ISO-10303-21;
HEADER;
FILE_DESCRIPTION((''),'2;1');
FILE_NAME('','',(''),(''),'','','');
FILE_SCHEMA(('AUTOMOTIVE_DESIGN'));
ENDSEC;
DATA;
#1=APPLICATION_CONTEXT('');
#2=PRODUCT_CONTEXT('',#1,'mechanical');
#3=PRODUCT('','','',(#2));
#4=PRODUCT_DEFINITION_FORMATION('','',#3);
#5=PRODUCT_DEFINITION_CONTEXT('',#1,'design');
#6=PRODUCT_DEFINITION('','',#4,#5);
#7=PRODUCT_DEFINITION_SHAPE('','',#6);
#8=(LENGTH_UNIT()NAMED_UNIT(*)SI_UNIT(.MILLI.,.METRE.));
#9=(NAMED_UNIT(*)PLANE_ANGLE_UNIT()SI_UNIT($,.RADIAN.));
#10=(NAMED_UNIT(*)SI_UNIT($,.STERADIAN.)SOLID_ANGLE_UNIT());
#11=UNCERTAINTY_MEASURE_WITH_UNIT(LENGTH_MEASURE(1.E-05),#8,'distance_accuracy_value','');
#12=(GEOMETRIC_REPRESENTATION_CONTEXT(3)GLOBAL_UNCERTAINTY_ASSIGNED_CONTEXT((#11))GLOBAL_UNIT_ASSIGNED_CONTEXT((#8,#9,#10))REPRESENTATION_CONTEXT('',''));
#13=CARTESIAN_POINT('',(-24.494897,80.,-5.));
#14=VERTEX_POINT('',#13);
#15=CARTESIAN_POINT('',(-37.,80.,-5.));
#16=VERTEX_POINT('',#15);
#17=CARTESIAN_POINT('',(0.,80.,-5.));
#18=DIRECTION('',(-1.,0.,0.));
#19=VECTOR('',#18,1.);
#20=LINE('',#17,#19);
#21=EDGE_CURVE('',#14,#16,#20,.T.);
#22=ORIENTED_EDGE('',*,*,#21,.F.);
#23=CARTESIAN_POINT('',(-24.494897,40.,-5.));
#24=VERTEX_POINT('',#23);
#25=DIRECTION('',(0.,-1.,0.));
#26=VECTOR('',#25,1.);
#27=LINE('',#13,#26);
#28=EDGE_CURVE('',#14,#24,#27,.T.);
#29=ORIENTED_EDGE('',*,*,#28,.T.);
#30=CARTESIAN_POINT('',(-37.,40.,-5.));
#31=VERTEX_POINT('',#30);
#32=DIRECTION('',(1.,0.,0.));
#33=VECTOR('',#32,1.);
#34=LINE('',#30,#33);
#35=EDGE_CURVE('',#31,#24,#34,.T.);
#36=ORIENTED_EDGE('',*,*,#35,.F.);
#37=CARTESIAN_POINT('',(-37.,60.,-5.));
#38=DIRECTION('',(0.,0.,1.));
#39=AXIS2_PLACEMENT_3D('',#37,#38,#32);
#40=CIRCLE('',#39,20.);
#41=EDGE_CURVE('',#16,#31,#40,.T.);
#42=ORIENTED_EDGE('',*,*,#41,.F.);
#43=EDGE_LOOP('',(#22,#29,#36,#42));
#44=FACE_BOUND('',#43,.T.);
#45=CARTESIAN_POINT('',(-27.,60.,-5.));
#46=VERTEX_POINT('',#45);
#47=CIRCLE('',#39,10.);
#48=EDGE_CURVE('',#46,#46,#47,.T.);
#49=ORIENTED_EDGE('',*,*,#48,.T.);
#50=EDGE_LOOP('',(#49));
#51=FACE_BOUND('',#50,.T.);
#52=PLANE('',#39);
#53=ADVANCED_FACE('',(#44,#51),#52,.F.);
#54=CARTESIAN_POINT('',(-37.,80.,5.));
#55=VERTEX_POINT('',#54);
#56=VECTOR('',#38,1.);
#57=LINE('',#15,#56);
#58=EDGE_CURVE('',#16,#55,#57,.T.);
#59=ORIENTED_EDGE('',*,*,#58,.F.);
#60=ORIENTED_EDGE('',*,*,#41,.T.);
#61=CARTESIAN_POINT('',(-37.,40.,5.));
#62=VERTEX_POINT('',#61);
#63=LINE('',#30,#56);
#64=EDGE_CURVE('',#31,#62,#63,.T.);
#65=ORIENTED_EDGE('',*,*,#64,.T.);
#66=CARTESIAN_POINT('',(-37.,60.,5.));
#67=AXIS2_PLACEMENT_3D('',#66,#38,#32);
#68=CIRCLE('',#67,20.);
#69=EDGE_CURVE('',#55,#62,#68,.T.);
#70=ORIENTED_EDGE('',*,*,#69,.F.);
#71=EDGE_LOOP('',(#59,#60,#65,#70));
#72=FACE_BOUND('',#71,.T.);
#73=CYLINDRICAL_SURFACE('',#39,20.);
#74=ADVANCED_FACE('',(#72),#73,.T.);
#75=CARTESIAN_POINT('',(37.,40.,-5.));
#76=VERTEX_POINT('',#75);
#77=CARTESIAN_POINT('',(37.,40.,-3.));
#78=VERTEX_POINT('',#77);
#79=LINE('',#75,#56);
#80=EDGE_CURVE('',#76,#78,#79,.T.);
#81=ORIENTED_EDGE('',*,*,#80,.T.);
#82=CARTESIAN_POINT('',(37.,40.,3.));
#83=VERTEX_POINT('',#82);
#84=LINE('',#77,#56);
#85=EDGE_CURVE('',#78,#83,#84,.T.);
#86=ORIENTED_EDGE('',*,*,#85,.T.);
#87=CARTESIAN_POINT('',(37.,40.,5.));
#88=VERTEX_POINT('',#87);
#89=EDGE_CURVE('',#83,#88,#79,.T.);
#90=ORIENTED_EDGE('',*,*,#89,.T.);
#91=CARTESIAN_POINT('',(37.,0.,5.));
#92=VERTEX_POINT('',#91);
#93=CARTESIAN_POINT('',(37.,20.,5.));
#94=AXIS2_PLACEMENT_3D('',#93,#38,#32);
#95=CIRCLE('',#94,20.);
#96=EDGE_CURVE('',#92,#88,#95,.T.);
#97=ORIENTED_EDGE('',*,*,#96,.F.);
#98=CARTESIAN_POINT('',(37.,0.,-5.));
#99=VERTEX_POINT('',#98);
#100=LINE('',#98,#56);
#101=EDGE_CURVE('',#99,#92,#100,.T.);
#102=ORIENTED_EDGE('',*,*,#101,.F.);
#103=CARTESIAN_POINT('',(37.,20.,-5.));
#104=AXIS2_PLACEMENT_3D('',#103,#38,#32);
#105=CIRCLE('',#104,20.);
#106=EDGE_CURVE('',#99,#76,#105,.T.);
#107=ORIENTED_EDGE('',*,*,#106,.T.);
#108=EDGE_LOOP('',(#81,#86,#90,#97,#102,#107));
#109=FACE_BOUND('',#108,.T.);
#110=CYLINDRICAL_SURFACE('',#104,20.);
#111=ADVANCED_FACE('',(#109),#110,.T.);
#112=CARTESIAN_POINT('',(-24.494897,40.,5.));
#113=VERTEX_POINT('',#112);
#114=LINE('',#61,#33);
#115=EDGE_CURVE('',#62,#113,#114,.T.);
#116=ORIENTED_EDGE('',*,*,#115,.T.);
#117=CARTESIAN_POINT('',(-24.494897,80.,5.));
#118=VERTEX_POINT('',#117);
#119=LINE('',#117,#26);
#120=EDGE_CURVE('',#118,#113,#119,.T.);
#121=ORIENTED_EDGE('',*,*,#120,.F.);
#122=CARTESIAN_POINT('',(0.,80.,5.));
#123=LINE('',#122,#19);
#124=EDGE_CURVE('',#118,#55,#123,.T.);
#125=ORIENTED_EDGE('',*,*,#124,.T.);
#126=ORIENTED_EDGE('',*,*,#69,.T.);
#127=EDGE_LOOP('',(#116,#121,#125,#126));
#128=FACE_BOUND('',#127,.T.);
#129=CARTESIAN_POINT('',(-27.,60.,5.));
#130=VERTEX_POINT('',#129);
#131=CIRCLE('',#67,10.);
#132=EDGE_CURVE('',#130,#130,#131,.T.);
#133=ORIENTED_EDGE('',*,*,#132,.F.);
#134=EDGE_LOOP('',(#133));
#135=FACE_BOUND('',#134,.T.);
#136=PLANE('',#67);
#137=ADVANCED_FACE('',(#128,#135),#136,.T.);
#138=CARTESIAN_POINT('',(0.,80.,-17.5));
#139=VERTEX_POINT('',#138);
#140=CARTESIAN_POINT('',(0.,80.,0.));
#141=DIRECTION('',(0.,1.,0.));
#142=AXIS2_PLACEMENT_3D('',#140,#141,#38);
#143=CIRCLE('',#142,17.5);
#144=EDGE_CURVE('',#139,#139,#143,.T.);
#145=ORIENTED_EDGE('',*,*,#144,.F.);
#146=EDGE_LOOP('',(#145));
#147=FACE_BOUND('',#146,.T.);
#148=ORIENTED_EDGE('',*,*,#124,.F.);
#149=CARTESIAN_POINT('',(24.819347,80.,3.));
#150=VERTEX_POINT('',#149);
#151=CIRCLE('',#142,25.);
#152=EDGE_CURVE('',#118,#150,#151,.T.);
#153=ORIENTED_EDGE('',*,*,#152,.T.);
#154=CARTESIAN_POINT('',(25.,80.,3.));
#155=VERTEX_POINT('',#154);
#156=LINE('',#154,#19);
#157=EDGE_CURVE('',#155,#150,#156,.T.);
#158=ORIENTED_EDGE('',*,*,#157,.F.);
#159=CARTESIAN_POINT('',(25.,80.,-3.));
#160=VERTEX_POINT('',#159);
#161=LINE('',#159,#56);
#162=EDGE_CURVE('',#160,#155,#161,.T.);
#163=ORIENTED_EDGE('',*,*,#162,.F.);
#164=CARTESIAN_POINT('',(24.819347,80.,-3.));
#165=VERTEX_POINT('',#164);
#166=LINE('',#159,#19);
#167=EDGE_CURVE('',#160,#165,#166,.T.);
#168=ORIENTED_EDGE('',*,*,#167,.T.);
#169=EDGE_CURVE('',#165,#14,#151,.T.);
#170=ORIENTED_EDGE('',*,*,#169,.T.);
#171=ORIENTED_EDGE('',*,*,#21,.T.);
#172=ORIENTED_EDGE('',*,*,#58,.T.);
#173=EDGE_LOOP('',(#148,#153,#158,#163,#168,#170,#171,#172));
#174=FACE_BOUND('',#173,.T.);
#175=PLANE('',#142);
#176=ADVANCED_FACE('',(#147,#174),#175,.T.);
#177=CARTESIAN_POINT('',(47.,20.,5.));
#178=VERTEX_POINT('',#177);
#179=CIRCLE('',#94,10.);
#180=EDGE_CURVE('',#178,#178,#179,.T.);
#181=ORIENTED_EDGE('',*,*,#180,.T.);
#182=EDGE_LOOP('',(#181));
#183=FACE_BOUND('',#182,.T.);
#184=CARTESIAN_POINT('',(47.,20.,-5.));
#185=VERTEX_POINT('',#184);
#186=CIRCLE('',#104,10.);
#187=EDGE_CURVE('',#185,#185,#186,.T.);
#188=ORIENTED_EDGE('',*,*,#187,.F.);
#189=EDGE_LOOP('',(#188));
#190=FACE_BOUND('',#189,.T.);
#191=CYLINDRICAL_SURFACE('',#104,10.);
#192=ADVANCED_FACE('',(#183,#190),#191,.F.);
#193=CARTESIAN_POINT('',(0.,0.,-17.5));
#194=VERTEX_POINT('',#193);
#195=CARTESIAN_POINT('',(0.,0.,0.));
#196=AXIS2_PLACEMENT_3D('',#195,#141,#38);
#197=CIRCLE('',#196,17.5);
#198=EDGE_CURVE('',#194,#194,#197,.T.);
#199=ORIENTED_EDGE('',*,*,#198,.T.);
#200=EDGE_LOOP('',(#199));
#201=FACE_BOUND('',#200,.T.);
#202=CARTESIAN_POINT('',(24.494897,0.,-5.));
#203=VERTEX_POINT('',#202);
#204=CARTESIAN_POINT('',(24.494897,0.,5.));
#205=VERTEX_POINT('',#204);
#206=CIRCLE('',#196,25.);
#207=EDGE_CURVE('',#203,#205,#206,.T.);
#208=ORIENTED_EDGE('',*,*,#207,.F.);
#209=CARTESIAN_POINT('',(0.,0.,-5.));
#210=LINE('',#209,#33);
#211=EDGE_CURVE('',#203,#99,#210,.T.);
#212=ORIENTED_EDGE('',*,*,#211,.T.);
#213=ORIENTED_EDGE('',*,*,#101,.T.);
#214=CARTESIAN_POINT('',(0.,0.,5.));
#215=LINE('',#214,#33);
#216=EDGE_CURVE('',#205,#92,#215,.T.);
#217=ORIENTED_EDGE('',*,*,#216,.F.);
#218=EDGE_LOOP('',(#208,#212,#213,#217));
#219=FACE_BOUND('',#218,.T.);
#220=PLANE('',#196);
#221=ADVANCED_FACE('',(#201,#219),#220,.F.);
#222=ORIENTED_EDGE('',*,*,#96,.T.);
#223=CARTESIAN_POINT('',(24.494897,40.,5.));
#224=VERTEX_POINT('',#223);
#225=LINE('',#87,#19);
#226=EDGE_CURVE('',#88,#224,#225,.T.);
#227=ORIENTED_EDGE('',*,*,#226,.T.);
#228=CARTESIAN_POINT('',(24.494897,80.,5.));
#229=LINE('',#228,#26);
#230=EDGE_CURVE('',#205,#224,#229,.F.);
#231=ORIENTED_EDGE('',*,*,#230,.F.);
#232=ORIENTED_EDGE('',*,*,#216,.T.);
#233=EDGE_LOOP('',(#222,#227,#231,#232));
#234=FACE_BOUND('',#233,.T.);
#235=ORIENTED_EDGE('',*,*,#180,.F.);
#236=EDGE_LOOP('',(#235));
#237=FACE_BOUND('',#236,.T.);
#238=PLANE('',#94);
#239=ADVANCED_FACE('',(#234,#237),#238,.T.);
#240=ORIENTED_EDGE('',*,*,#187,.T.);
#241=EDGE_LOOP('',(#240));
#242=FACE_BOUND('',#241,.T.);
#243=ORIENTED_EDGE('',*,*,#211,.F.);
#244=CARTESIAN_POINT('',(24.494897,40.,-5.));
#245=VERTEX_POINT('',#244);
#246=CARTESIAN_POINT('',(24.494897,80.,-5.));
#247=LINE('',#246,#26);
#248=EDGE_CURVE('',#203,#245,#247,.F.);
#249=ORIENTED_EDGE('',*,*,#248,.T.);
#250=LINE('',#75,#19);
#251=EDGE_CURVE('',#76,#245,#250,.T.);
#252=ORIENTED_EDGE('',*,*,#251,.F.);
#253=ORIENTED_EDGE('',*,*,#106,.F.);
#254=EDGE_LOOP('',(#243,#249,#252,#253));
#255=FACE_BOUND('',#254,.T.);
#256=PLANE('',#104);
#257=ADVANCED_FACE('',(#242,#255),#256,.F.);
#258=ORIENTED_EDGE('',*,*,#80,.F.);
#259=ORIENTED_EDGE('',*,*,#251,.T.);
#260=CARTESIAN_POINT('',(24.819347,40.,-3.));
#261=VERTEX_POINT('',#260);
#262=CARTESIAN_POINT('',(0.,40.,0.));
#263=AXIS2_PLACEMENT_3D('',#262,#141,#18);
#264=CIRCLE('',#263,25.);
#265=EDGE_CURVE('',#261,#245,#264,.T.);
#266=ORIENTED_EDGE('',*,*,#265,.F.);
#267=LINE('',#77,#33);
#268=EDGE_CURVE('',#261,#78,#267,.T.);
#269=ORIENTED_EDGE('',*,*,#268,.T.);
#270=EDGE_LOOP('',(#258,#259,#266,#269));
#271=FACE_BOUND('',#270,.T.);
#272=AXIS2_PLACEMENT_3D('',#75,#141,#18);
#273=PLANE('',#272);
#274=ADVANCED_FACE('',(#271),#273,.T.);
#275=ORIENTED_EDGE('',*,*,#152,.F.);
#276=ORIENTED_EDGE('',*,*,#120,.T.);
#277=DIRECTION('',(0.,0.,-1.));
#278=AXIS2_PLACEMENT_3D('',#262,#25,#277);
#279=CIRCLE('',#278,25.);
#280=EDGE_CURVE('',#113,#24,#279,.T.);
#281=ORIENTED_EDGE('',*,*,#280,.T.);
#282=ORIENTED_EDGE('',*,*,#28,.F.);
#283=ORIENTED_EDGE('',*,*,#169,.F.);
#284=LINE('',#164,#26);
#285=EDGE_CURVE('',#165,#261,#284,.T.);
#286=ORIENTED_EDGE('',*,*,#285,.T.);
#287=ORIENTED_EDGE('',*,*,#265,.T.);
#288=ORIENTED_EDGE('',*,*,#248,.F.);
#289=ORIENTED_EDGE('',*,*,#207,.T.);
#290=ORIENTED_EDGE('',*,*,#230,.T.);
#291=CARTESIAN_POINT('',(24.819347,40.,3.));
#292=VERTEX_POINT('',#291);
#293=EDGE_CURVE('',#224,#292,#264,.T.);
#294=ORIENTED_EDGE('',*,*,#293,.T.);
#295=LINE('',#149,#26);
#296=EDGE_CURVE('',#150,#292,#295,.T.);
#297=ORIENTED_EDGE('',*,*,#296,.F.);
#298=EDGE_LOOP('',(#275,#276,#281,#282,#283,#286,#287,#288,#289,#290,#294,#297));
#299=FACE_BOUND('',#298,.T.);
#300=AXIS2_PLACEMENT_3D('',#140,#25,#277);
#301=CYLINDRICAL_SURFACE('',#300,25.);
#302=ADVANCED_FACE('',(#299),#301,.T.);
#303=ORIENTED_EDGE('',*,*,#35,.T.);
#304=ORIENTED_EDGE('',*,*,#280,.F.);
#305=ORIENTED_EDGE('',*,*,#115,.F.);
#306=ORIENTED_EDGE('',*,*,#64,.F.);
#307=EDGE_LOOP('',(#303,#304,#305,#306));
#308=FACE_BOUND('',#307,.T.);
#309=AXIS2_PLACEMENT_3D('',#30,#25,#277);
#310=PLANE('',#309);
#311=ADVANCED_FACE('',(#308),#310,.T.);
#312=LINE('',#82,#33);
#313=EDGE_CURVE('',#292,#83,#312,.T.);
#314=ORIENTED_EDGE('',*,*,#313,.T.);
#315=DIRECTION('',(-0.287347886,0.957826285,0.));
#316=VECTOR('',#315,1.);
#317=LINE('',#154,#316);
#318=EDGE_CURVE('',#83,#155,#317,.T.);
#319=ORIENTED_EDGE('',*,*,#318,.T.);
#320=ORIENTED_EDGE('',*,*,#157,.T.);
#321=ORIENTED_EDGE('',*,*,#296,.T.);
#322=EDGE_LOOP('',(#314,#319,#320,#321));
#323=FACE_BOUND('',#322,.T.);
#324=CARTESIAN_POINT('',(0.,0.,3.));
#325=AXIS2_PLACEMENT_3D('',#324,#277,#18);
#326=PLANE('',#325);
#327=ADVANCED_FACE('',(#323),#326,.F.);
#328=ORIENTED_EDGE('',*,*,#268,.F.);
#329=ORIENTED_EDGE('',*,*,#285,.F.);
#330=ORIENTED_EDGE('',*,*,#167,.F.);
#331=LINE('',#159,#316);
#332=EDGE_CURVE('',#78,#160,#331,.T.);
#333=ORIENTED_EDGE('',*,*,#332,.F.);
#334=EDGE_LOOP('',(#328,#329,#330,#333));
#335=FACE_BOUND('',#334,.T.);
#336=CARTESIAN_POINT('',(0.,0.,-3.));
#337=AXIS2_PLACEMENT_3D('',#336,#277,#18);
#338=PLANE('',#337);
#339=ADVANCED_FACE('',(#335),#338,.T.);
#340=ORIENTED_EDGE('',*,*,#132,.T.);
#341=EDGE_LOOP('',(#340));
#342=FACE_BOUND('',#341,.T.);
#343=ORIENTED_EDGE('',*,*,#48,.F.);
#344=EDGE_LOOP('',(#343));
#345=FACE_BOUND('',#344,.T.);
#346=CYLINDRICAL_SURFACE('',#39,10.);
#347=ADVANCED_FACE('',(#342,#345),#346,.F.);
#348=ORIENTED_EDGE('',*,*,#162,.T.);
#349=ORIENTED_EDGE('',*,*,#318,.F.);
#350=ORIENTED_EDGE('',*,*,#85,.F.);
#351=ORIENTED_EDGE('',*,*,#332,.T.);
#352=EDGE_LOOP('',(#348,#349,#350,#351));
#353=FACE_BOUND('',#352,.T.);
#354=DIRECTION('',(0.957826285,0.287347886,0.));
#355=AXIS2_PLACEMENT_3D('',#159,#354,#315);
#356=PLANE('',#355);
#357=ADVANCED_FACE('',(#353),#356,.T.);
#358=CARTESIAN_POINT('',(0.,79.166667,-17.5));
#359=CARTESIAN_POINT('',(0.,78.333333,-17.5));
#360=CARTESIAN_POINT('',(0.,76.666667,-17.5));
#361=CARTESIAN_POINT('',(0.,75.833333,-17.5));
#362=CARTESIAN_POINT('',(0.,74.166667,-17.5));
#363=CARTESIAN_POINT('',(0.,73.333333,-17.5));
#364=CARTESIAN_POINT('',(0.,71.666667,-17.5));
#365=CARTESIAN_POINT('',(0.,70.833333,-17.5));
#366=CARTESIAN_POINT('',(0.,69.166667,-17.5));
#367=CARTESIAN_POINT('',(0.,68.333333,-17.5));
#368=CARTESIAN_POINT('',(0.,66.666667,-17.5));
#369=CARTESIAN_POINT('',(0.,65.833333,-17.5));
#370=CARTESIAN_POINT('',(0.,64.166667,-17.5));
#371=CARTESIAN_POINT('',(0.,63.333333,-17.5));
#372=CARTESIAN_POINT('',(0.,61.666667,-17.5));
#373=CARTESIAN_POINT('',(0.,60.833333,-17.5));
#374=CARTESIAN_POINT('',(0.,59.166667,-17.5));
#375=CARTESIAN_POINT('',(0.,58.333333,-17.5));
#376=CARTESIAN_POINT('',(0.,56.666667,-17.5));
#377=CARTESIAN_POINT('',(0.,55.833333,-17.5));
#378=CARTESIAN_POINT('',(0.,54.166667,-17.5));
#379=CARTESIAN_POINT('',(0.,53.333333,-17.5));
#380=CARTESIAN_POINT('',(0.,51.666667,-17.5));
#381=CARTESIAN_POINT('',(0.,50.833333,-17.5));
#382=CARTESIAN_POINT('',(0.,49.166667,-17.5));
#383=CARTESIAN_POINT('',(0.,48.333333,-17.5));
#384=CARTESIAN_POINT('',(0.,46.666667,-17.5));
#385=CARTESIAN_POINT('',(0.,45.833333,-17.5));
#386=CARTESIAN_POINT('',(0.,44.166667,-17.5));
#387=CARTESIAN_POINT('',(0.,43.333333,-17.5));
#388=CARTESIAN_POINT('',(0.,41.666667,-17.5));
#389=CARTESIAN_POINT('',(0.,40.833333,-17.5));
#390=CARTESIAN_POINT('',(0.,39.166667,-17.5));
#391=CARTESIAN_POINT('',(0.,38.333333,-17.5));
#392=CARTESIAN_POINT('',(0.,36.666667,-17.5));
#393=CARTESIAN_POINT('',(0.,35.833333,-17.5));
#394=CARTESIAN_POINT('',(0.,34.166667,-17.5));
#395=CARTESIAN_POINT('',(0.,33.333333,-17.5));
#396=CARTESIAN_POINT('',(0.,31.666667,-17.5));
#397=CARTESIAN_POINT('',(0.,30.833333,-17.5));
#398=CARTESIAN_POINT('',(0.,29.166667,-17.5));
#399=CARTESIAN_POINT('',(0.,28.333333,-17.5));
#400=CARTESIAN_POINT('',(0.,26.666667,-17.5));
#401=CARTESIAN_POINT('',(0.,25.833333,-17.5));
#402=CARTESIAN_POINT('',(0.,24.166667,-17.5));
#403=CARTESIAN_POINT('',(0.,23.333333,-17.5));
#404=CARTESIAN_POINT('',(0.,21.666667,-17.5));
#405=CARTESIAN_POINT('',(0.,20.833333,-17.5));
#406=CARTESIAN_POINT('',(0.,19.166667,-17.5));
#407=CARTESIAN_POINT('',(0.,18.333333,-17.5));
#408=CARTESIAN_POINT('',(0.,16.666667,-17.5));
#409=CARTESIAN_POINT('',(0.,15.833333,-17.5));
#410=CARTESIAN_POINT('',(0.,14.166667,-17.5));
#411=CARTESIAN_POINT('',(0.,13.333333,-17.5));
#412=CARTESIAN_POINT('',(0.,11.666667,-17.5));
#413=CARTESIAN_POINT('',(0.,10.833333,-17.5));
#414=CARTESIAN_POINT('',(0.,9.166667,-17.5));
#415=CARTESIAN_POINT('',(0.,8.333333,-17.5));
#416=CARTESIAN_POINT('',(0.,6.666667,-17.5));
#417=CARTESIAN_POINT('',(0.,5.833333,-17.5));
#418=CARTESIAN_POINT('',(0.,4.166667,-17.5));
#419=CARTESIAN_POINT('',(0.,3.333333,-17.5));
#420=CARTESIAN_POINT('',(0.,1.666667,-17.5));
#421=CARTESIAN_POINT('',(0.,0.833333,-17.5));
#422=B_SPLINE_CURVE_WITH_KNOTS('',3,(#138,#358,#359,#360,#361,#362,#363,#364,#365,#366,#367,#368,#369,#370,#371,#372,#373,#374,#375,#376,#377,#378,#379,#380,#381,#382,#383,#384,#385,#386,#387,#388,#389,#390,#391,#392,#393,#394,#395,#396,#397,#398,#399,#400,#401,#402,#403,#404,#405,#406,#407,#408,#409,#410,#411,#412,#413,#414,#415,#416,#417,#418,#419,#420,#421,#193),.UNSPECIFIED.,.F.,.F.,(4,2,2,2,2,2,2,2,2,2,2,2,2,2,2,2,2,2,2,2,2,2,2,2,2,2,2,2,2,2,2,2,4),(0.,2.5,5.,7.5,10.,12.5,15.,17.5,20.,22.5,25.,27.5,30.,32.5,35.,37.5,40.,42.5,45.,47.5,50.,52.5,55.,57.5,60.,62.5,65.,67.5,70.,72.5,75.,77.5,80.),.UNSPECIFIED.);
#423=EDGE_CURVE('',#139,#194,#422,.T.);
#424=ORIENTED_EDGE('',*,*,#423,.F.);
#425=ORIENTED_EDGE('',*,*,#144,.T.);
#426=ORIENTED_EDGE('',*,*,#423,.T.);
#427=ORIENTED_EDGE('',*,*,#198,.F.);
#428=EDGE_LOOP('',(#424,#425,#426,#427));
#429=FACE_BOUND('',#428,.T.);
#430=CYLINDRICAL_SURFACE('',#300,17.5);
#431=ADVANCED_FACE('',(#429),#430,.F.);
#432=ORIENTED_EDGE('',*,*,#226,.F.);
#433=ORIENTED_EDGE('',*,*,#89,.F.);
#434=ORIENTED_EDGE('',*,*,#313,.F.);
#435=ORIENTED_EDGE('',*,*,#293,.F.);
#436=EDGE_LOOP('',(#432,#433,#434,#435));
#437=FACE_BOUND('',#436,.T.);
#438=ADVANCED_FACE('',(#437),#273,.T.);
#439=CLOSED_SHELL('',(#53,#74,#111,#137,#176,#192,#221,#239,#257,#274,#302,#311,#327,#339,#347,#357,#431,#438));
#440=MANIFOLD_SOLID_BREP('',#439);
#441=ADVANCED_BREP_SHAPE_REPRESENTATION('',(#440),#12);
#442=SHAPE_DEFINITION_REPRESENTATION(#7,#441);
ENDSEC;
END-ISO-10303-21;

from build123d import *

# Parameters (mm, degrees)
SKETCH1_R                = 25
BOSS_EXTRUDE1_DEPTH      = 80
BOSS_EXTRUDE2_DEPTH      = 5
BOSS_EXTRUDE2_DEPTH_BACK = 5
SKETCH2_R                = 10
BOSS_EXTRUDE3_DEPTH      = 5
BOSS_EXTRUDE3_DEPTH_BACK = 5
SKETCH3_R                = 10
BOSS_EXTRUDE4_DEPTH      = 3
BOSS_EXTRUDE4_DEPTH_BACK = 3
SKETCH5_R                = 17.5
CUT_EXTRUDE10_DEPTH      = 80


with BuildPart() as part:
    # Sketch1 → Boss-Extrude1 (new body)
    with BuildSketch(Plane(origin=(0, 0, 0), x_dir=(1, 0, 0), z_dir=(0, 1, 0))):
        Circle(SKETCH1_R)
    extrude(amount=BOSS_EXTRUDE1_DEPTH)

    # Sketch2 → Boss-Extrude2 (add, two sides: drawn at the far end of the back side and taken through both)
    with BuildSketch(Plane.XY.offset(-BOSS_EXTRUDE2_DEPTH_BACK)):
        with BuildLine():
            Line((0, 80), (-37, 80))
            ThreePointArc((-37, 80), (-57, 60), (-37, 40))
            Line((-37, 40), (0, 40))
            Line((0, 40), (0, 80))
        make_face()
        with Locations((-37, 60)):
            Circle(SKETCH2_R, mode=Mode.SUBTRACT)
    extrude(amount=BOSS_EXTRUDE2_DEPTH + BOSS_EXTRUDE2_DEPTH_BACK)

    # Sketch3 → Boss-Extrude3 (add, two sides: drawn at the far end of the back side and taken through both)
    with BuildSketch(Plane.XY.offset(-BOSS_EXTRUDE3_DEPTH_BACK)):
        with BuildLine():
            Line((0, 0), (37, 0))
            ThreePointArc((37, 0), (57, 20), (37, 40))
            Line((37, 40), (0, 40))
            Line((0, 40), (0, 0))
        make_face()
        with Locations((37, 20)):
            Circle(SKETCH3_R, mode=Mode.SUBTRACT)
    extrude(amount=BOSS_EXTRUDE3_DEPTH + BOSS_EXTRUDE3_DEPTH_BACK)

    # Sketch4 → Boss-Extrude4 (add, two sides: drawn at the far end of the back side and taken through both)
    with BuildSketch(Plane.XY.offset(-BOSS_EXTRUDE4_DEPTH_BACK)):
        Polygon((25, 80), (37, 40), (0.252551286, 40), (0.252551286, 80), align=None)
    extrude(amount=BOSS_EXTRUDE4_DEPTH + BOSS_EXTRUDE4_DEPTH_BACK)

    # Sketch5 → Cut-Extrude10 (cut)
    with BuildSketch(Plane(origin=(0, 0, 0), x_dir=(1, 0, 0), z_dir=(0, 1, 0))):
        Circle(SKETCH5_R)
    extrude(amount=CUT_EXTRUDE10_DEPTH, mode=Mode.SUBTRACT)


solid = part.part
